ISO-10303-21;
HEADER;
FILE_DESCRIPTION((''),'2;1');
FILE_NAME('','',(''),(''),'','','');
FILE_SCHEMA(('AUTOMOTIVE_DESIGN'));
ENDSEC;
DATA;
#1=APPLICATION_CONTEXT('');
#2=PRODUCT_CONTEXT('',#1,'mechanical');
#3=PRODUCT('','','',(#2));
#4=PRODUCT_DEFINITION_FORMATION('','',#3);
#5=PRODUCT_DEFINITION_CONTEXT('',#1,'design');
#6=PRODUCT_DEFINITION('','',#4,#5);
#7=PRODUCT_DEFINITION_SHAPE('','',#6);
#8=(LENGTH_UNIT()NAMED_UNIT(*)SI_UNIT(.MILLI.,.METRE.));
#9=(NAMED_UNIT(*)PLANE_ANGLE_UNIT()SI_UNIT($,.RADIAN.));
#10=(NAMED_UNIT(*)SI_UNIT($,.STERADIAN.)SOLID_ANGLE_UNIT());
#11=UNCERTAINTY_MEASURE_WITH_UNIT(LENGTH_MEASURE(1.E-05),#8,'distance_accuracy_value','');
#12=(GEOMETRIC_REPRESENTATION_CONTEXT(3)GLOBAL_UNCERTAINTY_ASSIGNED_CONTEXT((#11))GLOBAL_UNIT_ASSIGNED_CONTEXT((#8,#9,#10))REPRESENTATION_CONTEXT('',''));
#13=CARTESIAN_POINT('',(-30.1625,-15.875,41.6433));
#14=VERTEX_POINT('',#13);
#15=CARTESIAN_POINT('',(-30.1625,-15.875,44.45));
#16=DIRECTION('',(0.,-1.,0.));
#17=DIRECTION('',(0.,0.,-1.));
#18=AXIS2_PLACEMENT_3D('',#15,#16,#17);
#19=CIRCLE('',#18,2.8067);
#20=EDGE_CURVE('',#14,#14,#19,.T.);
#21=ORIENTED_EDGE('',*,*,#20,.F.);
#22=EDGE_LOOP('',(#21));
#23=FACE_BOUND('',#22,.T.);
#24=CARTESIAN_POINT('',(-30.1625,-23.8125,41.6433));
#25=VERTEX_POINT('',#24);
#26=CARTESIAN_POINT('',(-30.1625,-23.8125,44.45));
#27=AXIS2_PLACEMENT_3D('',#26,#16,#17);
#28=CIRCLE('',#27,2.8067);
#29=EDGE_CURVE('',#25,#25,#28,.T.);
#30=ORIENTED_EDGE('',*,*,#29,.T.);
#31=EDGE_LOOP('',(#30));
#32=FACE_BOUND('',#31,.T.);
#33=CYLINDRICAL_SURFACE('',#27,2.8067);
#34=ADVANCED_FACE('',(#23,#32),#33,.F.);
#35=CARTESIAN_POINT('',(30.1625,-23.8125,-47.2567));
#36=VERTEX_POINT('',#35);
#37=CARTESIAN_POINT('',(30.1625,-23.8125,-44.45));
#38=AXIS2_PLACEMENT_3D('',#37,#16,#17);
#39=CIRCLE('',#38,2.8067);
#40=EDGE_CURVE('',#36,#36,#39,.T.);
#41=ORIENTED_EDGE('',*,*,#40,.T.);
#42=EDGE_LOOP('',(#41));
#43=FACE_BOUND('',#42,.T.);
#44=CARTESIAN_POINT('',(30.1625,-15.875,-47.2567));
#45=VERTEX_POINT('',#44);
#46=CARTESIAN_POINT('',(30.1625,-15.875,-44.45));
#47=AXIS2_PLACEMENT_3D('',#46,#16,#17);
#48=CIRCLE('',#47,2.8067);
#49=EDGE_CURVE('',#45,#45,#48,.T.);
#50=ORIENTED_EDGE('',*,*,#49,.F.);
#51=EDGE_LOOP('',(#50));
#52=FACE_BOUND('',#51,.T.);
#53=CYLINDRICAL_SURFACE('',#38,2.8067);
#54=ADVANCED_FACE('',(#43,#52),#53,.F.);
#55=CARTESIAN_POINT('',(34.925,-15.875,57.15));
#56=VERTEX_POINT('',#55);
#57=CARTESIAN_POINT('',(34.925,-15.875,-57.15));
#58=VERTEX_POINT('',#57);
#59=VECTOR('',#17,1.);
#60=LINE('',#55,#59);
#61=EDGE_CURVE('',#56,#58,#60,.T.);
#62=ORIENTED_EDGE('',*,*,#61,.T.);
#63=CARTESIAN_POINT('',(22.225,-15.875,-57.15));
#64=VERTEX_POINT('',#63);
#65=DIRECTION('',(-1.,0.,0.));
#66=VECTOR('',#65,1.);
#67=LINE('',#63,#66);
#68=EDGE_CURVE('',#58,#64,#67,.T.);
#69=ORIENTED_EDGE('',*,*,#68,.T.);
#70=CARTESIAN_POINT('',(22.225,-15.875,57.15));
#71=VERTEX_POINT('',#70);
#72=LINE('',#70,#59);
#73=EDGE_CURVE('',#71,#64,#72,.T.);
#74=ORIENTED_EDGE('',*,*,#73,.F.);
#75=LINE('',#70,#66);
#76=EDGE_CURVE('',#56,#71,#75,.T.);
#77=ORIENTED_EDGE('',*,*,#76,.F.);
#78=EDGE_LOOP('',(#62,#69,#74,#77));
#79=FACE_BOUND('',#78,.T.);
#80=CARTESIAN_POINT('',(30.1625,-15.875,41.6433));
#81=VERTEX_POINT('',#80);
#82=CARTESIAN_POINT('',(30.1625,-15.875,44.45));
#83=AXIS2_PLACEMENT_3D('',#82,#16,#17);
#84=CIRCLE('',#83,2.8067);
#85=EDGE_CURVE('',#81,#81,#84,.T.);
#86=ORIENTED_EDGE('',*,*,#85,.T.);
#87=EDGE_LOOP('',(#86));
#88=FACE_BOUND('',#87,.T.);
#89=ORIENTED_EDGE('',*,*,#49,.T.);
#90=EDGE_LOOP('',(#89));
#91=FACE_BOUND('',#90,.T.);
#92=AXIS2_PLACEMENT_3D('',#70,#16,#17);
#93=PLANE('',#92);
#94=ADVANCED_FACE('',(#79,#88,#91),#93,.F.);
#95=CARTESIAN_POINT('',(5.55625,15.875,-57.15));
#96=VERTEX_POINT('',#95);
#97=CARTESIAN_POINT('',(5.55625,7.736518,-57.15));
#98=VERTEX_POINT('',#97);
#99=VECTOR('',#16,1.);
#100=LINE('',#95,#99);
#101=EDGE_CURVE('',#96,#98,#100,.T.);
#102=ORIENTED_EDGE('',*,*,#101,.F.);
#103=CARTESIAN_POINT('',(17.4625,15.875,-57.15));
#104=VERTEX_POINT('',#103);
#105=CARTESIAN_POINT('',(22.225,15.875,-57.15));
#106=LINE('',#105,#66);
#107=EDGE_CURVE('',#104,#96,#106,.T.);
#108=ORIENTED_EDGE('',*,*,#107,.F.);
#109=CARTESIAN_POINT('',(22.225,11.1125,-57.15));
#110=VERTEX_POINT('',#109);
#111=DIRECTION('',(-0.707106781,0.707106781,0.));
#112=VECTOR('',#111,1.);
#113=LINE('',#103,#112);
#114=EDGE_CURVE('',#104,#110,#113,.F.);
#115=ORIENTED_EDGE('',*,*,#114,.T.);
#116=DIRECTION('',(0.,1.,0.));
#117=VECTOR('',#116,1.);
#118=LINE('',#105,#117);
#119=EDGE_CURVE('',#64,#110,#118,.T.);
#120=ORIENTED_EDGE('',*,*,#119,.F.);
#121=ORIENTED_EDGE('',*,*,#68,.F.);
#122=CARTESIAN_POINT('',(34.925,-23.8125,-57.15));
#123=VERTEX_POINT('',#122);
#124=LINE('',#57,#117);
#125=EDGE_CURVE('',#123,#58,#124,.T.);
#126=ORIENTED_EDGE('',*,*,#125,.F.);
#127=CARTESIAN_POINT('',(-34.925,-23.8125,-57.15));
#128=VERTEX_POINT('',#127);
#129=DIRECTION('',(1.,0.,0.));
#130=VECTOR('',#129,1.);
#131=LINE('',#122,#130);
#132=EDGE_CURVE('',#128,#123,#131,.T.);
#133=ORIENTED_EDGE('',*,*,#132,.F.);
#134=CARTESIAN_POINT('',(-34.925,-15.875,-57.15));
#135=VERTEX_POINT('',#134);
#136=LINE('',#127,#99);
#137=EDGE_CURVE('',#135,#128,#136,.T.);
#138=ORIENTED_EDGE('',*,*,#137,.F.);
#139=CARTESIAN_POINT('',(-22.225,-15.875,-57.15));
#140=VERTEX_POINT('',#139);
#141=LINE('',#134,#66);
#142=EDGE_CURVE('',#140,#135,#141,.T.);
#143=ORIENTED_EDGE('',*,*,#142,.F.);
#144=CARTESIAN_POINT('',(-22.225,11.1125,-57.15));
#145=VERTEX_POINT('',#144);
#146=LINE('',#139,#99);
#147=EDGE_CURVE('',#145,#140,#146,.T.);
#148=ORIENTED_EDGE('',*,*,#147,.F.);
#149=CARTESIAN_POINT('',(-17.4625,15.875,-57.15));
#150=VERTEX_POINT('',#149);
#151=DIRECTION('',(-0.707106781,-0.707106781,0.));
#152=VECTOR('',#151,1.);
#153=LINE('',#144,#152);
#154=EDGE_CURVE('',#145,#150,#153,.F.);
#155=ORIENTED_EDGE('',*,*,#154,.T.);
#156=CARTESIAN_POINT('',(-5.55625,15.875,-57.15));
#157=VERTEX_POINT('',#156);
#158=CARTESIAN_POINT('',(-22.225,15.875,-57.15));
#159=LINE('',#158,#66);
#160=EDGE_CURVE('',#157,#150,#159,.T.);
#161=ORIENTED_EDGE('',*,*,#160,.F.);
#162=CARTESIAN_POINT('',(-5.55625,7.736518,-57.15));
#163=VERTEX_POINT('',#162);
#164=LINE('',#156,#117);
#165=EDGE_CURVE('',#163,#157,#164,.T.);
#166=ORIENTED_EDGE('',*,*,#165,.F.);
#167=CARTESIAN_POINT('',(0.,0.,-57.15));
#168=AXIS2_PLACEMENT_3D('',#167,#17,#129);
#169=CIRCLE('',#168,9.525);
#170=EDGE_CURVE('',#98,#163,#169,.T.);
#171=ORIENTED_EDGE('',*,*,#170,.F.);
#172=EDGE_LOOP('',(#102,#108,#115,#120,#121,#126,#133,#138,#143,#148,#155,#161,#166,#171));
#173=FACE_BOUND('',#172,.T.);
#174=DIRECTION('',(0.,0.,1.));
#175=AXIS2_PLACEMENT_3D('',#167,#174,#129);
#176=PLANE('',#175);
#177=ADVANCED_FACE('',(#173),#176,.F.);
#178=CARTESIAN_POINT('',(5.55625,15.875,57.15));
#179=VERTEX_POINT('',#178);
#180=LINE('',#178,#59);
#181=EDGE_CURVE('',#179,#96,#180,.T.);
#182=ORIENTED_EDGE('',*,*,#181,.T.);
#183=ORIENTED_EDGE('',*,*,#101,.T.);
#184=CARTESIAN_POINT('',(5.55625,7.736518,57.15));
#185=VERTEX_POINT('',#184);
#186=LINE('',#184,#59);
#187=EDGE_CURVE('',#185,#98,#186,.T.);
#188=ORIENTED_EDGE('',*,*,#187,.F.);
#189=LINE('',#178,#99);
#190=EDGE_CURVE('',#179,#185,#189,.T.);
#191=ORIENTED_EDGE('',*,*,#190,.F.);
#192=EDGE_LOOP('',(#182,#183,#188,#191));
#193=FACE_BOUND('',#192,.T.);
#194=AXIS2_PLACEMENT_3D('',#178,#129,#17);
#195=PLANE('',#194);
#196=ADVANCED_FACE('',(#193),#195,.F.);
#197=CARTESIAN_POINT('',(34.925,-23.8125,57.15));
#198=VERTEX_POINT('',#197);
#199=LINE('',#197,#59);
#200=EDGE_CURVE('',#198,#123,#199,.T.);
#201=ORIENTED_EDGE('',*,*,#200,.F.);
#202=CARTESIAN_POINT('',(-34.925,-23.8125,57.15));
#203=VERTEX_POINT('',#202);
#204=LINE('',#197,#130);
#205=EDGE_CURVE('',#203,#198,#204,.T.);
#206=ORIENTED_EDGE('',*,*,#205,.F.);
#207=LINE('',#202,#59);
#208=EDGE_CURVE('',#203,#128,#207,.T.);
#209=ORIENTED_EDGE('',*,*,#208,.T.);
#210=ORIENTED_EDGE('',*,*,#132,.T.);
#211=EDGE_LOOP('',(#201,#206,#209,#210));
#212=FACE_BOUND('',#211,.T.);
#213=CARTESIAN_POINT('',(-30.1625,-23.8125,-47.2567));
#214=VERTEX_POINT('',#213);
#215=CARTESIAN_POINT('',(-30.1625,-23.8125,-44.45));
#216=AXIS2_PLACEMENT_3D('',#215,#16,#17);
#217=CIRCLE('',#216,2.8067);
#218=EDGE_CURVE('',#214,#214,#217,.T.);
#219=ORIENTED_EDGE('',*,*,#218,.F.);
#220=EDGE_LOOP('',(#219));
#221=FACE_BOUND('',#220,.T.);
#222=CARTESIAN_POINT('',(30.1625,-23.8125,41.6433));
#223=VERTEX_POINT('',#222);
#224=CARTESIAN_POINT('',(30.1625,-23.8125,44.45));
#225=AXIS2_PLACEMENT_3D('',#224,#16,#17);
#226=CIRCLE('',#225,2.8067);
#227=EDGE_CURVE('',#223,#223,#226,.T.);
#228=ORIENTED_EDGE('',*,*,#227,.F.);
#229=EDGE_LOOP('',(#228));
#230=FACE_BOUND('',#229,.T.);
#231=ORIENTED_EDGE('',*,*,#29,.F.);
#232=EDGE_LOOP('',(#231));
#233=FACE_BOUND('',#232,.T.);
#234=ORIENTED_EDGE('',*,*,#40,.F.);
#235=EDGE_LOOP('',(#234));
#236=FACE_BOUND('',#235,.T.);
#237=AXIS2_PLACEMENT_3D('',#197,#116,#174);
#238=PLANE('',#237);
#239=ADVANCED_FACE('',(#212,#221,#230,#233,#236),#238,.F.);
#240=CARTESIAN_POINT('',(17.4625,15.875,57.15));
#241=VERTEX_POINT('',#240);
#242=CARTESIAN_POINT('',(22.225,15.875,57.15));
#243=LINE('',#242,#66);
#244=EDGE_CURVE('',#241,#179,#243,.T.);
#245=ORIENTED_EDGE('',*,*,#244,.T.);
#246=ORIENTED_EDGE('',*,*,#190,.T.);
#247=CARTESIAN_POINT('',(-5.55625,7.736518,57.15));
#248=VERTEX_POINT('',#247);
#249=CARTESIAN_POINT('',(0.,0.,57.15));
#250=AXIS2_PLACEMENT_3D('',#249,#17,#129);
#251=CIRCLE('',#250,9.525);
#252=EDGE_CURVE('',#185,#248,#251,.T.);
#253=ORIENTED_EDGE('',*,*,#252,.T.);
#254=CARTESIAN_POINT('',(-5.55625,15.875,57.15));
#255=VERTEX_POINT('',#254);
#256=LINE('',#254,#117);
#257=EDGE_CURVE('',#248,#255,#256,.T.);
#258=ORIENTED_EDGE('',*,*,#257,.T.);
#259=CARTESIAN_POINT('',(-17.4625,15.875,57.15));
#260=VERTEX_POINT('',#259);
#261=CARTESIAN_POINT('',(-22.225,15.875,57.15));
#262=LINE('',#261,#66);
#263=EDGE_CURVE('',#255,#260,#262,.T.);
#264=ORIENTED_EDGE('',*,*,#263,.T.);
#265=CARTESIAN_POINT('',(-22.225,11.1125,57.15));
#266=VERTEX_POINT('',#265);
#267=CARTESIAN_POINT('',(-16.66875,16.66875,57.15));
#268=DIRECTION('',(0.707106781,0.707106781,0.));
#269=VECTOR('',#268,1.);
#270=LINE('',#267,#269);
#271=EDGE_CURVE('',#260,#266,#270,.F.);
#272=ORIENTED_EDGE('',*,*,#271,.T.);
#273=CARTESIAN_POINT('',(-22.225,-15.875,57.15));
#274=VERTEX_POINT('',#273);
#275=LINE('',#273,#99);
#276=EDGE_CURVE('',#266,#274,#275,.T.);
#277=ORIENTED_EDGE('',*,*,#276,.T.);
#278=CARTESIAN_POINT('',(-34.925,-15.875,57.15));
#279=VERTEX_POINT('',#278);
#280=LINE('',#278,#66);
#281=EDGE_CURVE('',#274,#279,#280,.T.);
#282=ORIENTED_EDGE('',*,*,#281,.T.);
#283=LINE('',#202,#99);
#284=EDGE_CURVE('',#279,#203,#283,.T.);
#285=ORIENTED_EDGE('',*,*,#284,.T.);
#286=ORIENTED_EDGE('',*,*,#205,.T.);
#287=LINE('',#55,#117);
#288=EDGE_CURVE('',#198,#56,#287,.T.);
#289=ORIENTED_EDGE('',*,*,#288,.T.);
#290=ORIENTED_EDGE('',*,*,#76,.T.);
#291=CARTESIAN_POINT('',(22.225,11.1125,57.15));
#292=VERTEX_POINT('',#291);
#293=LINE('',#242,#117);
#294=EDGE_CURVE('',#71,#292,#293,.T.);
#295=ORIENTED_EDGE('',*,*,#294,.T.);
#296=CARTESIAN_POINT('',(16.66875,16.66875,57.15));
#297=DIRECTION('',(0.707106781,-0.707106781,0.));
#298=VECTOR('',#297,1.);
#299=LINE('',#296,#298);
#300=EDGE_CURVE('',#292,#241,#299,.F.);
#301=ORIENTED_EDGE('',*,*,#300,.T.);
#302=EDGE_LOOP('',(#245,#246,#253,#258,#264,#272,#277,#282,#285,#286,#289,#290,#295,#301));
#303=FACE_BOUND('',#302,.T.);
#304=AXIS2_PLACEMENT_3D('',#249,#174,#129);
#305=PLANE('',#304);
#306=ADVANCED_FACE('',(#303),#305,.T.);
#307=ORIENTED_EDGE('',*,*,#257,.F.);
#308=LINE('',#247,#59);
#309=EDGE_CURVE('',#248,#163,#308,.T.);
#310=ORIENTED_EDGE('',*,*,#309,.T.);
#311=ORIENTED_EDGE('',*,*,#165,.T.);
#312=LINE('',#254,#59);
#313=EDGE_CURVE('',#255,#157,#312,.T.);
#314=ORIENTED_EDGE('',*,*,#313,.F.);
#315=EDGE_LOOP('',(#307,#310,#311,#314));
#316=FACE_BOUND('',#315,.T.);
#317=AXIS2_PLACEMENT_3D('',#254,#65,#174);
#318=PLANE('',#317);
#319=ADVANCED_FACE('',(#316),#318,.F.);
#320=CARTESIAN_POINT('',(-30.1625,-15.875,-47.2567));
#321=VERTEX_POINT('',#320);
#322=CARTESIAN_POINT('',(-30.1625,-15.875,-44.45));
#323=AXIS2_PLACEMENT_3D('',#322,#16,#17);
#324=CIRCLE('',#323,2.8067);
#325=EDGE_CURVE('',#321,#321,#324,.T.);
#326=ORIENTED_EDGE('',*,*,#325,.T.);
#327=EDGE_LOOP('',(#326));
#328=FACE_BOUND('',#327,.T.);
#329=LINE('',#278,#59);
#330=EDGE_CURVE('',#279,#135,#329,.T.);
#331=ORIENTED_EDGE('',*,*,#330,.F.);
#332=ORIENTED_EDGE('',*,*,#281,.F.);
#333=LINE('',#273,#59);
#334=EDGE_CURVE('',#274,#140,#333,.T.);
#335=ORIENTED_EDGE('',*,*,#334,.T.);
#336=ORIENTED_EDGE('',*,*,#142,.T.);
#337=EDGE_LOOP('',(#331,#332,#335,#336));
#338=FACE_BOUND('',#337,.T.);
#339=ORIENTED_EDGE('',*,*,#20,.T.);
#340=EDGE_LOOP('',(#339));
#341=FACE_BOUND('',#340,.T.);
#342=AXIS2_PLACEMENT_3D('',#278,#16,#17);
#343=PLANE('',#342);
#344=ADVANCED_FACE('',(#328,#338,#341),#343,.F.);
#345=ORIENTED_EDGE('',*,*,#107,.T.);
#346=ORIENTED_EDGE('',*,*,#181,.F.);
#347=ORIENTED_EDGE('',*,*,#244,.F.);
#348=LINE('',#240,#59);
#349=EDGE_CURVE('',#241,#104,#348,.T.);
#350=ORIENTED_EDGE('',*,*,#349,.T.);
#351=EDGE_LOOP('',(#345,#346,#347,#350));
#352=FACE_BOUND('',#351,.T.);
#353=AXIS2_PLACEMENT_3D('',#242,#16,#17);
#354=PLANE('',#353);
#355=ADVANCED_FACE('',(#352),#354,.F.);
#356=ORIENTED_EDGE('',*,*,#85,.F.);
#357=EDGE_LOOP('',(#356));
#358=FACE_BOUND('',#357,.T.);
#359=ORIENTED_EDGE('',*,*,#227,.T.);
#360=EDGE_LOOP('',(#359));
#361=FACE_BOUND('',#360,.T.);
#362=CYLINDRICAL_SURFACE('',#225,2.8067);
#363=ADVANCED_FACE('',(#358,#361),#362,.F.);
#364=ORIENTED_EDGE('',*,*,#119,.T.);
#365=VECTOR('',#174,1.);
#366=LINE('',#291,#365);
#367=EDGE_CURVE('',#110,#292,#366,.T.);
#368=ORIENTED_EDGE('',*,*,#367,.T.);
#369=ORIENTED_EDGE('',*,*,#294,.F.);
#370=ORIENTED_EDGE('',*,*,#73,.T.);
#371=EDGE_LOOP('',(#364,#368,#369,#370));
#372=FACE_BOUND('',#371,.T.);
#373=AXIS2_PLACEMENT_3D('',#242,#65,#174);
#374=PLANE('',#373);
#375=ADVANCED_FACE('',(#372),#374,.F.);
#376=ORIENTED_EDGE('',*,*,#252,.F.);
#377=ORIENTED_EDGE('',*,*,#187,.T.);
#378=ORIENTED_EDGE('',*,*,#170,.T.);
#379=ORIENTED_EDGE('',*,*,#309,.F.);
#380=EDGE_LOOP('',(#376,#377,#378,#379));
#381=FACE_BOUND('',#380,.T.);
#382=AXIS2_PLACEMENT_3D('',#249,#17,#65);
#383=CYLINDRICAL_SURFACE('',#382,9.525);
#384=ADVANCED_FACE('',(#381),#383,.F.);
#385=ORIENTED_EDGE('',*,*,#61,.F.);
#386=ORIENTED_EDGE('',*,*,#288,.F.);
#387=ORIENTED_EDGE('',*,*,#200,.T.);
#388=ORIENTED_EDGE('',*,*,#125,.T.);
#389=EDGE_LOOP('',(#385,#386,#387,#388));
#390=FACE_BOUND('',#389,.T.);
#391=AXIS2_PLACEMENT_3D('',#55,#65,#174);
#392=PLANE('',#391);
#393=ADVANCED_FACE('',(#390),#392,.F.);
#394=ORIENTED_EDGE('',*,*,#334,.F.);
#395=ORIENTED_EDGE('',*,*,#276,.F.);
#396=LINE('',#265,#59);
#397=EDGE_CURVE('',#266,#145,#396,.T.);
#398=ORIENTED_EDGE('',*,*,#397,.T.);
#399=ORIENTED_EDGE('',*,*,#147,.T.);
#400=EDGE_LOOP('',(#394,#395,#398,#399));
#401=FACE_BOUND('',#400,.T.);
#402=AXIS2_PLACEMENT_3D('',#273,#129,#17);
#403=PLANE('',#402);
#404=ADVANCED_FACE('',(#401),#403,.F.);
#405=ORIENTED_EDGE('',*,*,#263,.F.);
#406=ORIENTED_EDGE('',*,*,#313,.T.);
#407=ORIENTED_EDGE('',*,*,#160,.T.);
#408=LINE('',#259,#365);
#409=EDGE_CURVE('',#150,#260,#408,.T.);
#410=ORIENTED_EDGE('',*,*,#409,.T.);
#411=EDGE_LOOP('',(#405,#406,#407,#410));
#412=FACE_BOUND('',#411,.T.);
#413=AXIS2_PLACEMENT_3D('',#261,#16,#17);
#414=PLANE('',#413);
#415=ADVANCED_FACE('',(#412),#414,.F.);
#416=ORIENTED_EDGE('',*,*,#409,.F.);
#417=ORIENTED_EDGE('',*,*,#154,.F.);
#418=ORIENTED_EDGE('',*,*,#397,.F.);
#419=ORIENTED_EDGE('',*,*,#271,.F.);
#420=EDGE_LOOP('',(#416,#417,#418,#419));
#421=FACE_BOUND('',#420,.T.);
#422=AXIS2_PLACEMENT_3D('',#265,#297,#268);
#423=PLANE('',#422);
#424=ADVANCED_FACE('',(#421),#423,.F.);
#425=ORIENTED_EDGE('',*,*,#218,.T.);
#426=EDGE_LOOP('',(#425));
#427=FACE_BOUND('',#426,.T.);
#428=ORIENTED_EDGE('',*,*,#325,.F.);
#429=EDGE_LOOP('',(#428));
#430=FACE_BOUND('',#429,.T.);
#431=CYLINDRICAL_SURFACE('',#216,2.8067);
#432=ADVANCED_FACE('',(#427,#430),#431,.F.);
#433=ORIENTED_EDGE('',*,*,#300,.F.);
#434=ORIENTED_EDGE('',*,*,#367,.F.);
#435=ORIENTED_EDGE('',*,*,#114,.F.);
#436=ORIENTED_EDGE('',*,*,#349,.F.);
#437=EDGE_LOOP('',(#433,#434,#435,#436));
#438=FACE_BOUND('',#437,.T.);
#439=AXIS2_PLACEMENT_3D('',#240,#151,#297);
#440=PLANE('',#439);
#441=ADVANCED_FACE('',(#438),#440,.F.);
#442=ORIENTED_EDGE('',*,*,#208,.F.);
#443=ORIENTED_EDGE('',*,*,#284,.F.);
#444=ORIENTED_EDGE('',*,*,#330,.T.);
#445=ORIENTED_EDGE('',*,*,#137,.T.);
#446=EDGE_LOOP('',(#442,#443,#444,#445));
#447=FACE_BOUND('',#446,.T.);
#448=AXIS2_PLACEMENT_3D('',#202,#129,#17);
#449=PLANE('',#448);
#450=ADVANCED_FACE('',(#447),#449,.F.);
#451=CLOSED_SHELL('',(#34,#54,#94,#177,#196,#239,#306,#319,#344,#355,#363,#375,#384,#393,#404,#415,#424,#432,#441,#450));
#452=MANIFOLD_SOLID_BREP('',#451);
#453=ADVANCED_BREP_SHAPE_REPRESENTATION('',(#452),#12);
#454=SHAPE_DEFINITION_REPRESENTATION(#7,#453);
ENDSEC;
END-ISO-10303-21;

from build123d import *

# Parameters (mm, degrees)
EXTRUDE1_DEPTH         = 57.15
F_10_CLEARANCE_HOLE1_D = 5.6134
CHAMFER1_SIZE          = 4.7625


with BuildPart() as part:
    # Sketch1 → Extrude1 (new, symmetric)
    with BuildSketch(Plane.XY):
        with BuildLine():
            Line((22.225, 15.875), (5.55625, 15.875))
            Line((5.55625, 15.875), (5.55625, 7.736518011))
            ThreePointArc((5.55625, 7.736518011), (0, -9.525), (-5.55625, 7.736518011))
            Line((-5.55625, 7.736518011), (-5.55625, 15.875))
            Line((-5.55625, 15.875), (-22.225, 15.875))
            Line((-22.225, 15.875), (-22.225, -15.875))
            Line((-22.225, -15.875), (-34.925, -15.875))
            Line((-34.925, -15.875), (-34.925, -23.8125))
            Line((-34.925, -23.8125), (34.925, -23.8125))
            Line((34.925, -23.8125), (34.925, -15.875))
            Line((34.925, -15.875), (22.225, -15.875))
            Line((22.225, -15.875), (22.225, 15.875))
        make_face()
    extrude(amount=EXTRUDE1_DEPTH, both=True)

    # #10 Clearance Hole1 (through all)
    with Locations(Plane.XZ.offset(23.8125)):
        with Locations((-30.1625, -44.45), (30.1625, -44.45), (-30.1625, 44.45), (30.1625, 44.45)):
            Hole(F_10_CLEARANCE_HOLE1_D / 2)

    # Chamfer1
    chamfer1_edges = [part.edges().sort_by_distance(p)[0] for p in [
        (-22.225, 15.875, 0),
        (22.225, 15.875, 0),
    ]]
    chamfer(chamfer1_edges, length=CHAMFER1_SIZE)


solid = part.part
